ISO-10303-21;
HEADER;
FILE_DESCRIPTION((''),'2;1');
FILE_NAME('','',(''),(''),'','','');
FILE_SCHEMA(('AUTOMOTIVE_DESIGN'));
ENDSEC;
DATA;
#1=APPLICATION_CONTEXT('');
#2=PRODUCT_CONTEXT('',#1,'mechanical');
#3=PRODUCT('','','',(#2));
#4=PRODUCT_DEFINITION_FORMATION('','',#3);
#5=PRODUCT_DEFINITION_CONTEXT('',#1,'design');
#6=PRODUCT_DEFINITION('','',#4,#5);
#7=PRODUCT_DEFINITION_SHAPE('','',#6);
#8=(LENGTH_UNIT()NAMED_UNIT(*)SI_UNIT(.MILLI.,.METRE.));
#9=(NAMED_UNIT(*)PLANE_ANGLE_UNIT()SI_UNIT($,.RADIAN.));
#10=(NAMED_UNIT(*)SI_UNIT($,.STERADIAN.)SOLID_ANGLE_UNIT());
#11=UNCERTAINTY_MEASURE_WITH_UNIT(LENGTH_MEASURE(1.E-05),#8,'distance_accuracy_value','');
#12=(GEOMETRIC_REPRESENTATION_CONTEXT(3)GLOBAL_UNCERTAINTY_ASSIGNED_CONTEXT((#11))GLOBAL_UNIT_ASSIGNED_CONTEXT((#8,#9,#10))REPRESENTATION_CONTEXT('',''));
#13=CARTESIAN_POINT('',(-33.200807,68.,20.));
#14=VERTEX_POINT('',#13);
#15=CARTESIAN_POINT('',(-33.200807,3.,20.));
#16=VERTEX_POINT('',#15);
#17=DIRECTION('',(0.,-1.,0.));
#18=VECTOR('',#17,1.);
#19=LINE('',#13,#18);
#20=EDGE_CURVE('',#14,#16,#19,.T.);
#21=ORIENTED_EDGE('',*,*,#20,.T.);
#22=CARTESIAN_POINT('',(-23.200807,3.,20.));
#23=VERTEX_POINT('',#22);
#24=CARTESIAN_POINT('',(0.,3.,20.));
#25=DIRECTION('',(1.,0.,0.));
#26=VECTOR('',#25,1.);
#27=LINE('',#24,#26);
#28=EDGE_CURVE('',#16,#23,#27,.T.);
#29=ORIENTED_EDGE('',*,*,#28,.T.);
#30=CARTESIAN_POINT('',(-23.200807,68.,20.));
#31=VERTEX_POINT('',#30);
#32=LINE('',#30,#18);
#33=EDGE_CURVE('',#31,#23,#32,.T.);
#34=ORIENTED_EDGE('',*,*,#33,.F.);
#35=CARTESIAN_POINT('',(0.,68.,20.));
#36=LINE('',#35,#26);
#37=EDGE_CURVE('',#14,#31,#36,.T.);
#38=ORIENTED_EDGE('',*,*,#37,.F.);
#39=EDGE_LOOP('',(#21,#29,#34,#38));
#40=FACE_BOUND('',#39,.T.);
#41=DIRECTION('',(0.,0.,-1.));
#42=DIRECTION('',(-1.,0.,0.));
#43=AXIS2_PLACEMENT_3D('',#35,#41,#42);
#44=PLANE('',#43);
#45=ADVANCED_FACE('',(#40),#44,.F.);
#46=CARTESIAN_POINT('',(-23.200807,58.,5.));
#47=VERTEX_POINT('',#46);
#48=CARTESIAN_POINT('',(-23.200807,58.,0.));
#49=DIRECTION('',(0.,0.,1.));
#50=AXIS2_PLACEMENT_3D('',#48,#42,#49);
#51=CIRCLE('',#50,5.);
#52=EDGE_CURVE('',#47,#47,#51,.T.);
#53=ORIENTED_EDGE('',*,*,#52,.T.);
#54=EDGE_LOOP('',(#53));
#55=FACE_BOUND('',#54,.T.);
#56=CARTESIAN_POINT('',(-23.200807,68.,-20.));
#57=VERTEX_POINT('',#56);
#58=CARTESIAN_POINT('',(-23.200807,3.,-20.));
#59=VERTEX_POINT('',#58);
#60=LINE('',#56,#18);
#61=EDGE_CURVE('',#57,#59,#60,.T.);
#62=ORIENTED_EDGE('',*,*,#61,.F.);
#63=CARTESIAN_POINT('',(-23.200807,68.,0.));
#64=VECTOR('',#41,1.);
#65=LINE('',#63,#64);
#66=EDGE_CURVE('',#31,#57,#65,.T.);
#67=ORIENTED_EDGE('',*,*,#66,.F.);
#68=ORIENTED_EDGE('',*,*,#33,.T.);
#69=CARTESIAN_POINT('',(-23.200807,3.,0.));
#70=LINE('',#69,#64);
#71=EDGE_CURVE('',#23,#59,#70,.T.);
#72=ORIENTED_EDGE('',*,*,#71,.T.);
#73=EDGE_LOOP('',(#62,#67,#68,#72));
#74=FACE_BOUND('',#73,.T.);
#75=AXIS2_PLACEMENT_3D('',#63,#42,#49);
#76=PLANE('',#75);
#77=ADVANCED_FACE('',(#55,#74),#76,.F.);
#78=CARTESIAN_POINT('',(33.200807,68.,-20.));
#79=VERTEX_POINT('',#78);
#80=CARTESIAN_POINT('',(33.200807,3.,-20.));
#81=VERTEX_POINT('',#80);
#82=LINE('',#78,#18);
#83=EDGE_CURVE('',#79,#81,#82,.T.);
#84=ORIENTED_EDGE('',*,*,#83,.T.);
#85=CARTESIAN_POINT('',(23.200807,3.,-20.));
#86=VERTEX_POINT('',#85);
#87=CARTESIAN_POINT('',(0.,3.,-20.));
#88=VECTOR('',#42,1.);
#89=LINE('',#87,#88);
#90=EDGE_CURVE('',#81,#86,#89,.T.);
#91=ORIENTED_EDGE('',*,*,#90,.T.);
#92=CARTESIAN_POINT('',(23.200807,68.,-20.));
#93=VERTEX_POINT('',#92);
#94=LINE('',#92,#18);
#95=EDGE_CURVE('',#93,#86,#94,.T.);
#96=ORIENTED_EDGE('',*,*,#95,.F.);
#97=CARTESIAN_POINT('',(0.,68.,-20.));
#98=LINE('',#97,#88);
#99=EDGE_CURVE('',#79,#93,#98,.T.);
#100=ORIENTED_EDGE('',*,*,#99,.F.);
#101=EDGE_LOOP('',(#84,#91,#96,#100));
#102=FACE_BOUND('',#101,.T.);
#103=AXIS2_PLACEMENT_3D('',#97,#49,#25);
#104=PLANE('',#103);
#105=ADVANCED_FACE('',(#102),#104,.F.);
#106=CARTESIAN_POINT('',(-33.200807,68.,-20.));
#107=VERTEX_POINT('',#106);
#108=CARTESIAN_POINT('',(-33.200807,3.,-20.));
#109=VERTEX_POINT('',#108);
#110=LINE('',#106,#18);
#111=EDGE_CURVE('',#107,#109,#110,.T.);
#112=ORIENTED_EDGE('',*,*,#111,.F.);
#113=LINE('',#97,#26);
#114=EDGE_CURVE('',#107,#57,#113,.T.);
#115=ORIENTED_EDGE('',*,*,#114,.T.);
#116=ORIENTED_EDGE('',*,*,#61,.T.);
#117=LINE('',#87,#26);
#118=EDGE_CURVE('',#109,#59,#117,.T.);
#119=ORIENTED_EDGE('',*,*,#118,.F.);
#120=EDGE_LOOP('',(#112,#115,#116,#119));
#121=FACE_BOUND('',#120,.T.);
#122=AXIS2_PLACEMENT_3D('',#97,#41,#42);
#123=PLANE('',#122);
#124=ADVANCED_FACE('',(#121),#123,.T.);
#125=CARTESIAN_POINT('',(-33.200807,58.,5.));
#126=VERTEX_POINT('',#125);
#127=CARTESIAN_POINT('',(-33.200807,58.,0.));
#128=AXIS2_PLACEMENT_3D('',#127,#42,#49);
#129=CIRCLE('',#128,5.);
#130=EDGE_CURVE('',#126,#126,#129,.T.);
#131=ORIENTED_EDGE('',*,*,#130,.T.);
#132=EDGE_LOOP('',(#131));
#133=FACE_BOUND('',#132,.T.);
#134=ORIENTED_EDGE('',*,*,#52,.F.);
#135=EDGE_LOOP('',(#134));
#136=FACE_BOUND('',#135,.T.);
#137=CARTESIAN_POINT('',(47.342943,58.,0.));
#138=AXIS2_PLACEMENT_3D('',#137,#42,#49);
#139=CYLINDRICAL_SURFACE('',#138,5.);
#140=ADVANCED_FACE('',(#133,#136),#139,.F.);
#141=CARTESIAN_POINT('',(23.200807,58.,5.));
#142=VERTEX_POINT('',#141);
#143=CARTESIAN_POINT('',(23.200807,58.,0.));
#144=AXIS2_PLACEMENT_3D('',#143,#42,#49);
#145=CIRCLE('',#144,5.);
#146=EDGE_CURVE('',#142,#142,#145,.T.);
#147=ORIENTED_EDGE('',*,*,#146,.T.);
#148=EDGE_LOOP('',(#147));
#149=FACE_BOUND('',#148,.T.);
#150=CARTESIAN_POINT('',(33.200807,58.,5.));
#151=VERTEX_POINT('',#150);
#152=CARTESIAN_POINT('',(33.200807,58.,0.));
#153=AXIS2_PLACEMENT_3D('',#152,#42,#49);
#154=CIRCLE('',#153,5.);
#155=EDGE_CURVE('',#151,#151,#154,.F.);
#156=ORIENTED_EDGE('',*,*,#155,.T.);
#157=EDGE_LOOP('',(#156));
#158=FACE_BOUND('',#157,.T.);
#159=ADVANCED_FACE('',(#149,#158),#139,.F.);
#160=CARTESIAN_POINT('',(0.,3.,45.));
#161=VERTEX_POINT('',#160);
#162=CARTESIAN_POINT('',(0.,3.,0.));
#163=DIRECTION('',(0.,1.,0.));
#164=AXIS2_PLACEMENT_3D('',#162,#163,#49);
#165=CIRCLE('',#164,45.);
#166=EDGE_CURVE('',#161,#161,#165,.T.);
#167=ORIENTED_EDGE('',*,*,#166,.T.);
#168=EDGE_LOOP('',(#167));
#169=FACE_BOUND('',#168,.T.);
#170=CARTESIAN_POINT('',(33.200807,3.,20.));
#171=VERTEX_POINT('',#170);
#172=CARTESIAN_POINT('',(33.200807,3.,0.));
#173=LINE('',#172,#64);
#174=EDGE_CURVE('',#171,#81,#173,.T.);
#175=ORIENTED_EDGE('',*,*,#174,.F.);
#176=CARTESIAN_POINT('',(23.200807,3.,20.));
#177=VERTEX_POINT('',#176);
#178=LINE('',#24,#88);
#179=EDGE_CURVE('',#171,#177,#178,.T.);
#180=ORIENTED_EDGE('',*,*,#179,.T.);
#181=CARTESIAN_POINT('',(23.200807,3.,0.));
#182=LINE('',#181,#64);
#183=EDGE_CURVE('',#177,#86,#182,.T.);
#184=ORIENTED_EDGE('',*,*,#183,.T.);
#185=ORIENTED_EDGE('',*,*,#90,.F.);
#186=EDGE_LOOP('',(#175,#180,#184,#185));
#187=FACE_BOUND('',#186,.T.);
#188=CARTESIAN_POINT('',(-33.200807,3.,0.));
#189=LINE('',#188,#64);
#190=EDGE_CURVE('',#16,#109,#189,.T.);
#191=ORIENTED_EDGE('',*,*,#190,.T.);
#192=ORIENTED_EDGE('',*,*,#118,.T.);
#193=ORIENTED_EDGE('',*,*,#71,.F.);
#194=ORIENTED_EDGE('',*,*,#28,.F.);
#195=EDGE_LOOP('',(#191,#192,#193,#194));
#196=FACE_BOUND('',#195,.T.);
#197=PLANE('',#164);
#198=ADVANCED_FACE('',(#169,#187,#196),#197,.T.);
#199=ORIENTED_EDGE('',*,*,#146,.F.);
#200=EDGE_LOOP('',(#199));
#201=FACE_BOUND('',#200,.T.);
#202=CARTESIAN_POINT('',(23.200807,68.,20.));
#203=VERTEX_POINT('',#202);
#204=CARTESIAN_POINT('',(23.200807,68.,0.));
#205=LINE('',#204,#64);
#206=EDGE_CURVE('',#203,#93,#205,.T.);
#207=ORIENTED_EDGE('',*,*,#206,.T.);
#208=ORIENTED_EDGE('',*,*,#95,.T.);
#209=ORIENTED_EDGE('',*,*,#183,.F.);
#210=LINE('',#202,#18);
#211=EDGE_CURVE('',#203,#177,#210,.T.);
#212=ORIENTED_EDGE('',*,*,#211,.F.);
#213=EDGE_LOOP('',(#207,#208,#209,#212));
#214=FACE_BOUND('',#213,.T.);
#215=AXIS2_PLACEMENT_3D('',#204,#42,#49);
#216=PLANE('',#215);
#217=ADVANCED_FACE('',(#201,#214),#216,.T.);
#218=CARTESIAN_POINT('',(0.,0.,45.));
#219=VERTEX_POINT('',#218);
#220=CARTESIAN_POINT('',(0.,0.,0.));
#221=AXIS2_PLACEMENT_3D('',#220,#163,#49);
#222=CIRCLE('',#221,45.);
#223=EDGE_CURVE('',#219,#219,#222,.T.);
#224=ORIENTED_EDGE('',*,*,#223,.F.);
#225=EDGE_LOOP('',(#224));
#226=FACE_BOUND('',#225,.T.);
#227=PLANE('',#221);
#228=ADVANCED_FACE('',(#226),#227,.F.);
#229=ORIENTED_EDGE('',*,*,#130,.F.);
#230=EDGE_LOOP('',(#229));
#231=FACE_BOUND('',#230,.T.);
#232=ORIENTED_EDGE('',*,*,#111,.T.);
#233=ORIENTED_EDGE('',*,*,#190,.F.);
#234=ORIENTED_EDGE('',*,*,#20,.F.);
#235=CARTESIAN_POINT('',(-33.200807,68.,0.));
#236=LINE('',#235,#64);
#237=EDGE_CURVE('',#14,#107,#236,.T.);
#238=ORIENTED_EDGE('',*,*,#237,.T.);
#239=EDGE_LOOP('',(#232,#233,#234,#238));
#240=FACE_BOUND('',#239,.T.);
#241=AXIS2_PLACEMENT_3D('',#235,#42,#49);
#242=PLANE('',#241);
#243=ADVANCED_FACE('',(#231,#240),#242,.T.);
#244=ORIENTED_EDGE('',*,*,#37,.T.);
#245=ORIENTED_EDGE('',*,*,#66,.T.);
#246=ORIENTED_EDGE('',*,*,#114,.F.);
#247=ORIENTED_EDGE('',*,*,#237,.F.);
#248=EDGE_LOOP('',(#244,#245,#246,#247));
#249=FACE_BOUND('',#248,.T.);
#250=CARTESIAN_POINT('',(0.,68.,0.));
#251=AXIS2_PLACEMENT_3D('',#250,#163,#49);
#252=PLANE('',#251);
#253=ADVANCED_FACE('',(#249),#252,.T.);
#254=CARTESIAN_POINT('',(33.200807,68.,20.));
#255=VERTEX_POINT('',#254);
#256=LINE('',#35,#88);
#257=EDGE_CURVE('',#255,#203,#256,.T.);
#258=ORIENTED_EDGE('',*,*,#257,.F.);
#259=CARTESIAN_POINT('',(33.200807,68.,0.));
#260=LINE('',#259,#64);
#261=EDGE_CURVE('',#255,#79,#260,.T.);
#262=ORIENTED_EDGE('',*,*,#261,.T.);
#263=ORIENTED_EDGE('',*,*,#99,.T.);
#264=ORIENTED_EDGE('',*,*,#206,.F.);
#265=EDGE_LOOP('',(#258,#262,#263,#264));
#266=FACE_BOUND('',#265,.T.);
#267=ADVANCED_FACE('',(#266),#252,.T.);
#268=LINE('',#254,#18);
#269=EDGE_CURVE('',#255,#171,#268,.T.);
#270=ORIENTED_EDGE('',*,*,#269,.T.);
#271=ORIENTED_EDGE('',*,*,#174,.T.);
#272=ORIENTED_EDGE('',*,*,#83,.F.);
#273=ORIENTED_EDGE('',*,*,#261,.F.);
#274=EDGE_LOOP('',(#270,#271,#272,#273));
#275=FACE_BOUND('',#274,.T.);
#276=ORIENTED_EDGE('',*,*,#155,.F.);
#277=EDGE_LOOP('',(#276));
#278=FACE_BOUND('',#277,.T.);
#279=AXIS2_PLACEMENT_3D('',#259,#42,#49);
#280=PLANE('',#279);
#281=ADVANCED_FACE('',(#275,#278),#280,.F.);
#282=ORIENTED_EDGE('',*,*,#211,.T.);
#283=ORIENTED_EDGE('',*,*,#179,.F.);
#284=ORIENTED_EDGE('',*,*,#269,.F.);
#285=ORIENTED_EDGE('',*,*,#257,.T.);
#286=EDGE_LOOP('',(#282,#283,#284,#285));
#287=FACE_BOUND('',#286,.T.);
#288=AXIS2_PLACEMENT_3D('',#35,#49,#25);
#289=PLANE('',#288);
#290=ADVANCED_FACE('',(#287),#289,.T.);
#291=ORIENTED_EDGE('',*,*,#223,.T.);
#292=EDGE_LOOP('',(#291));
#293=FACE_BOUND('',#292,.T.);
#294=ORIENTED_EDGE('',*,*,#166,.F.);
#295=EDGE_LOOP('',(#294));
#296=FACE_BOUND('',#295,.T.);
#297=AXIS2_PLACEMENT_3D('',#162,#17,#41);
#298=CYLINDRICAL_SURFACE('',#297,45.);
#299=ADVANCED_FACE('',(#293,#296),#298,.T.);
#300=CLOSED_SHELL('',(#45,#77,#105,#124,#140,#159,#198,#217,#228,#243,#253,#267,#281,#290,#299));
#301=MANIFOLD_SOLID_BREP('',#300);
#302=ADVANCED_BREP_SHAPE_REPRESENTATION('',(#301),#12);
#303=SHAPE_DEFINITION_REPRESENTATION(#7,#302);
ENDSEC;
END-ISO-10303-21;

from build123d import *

# Parameters (mm, degrees)
SKETCH1_R           = 45
BOSS_EXTRUDE1_DEPTH = 3
SKETCH2_W           = 10
SKETCH2_H           = 40
BOSS_EXTRUDE2_DEPTH = 65
CUT_EXTRUDE1_REACH  = 114.979
SKETCH3_R           = 5


with BuildPart() as part:
    # Sketch1 → Boss-Extrude1 (new body)
    with BuildSketch(Plane(origin=(0, 0, 0), x_dir=(1, 0, 0), z_dir=(0, 1, 0))):
        with Locations(Location((0, 0, 0), (0, 0, 270))):
            Circle(SKETCH1_R)
    extrude(amount=BOSS_EXTRUDE1_DEPTH)

    # Sketch2 → Boss-Extrude2 (add)
    with BuildSketch(Plane(origin=(0, 3, 0), x_dir=(1, 0, 0), z_dir=(0, 1, 0))):
        with Locations((-28.200807343, 0)):
            Rectangle(SKETCH2_W, SKETCH2_H)
        with Locations((28.200807343, 0)):
            Rectangle(SKETCH2_W, SKETCH2_H)
    extrude(amount=BOSS_EXTRUDE2_DEPTH)

    # Cut-Extrude1: up to this face of the body (flat: up to its plane)
    cut_extrude1_end = Plane(part.part.faces().sort_by_distance((33.200807343, 35.5, 0))[0])
    # Sketch3 → Cut-Extrude1 (cut, up to the picked face)
    with BuildSketch(Plane.ZY.offset(33.200807343), mode=Mode.PRIVATE) as cut_extrude1_sk1:
        with Locations((0, 58)):
            Circle(SKETCH3_R)
    cut_extrude1_tool1 = split(extrude(cut_extrude1_sk1.sketch, amount=-CUT_EXTRUDE1_REACH, mode=Mode.PRIVATE), bisect_by=cut_extrude1_end, keep=Keep.BOTH, mode=Mode.PRIVATE)
    add(cut_extrude1_tool1.solids().sort_by(Axis((-33.200807, 58, 0), (1, 0, 0)))[0], mode=Mode.SUBTRACT)


solid = part.part
